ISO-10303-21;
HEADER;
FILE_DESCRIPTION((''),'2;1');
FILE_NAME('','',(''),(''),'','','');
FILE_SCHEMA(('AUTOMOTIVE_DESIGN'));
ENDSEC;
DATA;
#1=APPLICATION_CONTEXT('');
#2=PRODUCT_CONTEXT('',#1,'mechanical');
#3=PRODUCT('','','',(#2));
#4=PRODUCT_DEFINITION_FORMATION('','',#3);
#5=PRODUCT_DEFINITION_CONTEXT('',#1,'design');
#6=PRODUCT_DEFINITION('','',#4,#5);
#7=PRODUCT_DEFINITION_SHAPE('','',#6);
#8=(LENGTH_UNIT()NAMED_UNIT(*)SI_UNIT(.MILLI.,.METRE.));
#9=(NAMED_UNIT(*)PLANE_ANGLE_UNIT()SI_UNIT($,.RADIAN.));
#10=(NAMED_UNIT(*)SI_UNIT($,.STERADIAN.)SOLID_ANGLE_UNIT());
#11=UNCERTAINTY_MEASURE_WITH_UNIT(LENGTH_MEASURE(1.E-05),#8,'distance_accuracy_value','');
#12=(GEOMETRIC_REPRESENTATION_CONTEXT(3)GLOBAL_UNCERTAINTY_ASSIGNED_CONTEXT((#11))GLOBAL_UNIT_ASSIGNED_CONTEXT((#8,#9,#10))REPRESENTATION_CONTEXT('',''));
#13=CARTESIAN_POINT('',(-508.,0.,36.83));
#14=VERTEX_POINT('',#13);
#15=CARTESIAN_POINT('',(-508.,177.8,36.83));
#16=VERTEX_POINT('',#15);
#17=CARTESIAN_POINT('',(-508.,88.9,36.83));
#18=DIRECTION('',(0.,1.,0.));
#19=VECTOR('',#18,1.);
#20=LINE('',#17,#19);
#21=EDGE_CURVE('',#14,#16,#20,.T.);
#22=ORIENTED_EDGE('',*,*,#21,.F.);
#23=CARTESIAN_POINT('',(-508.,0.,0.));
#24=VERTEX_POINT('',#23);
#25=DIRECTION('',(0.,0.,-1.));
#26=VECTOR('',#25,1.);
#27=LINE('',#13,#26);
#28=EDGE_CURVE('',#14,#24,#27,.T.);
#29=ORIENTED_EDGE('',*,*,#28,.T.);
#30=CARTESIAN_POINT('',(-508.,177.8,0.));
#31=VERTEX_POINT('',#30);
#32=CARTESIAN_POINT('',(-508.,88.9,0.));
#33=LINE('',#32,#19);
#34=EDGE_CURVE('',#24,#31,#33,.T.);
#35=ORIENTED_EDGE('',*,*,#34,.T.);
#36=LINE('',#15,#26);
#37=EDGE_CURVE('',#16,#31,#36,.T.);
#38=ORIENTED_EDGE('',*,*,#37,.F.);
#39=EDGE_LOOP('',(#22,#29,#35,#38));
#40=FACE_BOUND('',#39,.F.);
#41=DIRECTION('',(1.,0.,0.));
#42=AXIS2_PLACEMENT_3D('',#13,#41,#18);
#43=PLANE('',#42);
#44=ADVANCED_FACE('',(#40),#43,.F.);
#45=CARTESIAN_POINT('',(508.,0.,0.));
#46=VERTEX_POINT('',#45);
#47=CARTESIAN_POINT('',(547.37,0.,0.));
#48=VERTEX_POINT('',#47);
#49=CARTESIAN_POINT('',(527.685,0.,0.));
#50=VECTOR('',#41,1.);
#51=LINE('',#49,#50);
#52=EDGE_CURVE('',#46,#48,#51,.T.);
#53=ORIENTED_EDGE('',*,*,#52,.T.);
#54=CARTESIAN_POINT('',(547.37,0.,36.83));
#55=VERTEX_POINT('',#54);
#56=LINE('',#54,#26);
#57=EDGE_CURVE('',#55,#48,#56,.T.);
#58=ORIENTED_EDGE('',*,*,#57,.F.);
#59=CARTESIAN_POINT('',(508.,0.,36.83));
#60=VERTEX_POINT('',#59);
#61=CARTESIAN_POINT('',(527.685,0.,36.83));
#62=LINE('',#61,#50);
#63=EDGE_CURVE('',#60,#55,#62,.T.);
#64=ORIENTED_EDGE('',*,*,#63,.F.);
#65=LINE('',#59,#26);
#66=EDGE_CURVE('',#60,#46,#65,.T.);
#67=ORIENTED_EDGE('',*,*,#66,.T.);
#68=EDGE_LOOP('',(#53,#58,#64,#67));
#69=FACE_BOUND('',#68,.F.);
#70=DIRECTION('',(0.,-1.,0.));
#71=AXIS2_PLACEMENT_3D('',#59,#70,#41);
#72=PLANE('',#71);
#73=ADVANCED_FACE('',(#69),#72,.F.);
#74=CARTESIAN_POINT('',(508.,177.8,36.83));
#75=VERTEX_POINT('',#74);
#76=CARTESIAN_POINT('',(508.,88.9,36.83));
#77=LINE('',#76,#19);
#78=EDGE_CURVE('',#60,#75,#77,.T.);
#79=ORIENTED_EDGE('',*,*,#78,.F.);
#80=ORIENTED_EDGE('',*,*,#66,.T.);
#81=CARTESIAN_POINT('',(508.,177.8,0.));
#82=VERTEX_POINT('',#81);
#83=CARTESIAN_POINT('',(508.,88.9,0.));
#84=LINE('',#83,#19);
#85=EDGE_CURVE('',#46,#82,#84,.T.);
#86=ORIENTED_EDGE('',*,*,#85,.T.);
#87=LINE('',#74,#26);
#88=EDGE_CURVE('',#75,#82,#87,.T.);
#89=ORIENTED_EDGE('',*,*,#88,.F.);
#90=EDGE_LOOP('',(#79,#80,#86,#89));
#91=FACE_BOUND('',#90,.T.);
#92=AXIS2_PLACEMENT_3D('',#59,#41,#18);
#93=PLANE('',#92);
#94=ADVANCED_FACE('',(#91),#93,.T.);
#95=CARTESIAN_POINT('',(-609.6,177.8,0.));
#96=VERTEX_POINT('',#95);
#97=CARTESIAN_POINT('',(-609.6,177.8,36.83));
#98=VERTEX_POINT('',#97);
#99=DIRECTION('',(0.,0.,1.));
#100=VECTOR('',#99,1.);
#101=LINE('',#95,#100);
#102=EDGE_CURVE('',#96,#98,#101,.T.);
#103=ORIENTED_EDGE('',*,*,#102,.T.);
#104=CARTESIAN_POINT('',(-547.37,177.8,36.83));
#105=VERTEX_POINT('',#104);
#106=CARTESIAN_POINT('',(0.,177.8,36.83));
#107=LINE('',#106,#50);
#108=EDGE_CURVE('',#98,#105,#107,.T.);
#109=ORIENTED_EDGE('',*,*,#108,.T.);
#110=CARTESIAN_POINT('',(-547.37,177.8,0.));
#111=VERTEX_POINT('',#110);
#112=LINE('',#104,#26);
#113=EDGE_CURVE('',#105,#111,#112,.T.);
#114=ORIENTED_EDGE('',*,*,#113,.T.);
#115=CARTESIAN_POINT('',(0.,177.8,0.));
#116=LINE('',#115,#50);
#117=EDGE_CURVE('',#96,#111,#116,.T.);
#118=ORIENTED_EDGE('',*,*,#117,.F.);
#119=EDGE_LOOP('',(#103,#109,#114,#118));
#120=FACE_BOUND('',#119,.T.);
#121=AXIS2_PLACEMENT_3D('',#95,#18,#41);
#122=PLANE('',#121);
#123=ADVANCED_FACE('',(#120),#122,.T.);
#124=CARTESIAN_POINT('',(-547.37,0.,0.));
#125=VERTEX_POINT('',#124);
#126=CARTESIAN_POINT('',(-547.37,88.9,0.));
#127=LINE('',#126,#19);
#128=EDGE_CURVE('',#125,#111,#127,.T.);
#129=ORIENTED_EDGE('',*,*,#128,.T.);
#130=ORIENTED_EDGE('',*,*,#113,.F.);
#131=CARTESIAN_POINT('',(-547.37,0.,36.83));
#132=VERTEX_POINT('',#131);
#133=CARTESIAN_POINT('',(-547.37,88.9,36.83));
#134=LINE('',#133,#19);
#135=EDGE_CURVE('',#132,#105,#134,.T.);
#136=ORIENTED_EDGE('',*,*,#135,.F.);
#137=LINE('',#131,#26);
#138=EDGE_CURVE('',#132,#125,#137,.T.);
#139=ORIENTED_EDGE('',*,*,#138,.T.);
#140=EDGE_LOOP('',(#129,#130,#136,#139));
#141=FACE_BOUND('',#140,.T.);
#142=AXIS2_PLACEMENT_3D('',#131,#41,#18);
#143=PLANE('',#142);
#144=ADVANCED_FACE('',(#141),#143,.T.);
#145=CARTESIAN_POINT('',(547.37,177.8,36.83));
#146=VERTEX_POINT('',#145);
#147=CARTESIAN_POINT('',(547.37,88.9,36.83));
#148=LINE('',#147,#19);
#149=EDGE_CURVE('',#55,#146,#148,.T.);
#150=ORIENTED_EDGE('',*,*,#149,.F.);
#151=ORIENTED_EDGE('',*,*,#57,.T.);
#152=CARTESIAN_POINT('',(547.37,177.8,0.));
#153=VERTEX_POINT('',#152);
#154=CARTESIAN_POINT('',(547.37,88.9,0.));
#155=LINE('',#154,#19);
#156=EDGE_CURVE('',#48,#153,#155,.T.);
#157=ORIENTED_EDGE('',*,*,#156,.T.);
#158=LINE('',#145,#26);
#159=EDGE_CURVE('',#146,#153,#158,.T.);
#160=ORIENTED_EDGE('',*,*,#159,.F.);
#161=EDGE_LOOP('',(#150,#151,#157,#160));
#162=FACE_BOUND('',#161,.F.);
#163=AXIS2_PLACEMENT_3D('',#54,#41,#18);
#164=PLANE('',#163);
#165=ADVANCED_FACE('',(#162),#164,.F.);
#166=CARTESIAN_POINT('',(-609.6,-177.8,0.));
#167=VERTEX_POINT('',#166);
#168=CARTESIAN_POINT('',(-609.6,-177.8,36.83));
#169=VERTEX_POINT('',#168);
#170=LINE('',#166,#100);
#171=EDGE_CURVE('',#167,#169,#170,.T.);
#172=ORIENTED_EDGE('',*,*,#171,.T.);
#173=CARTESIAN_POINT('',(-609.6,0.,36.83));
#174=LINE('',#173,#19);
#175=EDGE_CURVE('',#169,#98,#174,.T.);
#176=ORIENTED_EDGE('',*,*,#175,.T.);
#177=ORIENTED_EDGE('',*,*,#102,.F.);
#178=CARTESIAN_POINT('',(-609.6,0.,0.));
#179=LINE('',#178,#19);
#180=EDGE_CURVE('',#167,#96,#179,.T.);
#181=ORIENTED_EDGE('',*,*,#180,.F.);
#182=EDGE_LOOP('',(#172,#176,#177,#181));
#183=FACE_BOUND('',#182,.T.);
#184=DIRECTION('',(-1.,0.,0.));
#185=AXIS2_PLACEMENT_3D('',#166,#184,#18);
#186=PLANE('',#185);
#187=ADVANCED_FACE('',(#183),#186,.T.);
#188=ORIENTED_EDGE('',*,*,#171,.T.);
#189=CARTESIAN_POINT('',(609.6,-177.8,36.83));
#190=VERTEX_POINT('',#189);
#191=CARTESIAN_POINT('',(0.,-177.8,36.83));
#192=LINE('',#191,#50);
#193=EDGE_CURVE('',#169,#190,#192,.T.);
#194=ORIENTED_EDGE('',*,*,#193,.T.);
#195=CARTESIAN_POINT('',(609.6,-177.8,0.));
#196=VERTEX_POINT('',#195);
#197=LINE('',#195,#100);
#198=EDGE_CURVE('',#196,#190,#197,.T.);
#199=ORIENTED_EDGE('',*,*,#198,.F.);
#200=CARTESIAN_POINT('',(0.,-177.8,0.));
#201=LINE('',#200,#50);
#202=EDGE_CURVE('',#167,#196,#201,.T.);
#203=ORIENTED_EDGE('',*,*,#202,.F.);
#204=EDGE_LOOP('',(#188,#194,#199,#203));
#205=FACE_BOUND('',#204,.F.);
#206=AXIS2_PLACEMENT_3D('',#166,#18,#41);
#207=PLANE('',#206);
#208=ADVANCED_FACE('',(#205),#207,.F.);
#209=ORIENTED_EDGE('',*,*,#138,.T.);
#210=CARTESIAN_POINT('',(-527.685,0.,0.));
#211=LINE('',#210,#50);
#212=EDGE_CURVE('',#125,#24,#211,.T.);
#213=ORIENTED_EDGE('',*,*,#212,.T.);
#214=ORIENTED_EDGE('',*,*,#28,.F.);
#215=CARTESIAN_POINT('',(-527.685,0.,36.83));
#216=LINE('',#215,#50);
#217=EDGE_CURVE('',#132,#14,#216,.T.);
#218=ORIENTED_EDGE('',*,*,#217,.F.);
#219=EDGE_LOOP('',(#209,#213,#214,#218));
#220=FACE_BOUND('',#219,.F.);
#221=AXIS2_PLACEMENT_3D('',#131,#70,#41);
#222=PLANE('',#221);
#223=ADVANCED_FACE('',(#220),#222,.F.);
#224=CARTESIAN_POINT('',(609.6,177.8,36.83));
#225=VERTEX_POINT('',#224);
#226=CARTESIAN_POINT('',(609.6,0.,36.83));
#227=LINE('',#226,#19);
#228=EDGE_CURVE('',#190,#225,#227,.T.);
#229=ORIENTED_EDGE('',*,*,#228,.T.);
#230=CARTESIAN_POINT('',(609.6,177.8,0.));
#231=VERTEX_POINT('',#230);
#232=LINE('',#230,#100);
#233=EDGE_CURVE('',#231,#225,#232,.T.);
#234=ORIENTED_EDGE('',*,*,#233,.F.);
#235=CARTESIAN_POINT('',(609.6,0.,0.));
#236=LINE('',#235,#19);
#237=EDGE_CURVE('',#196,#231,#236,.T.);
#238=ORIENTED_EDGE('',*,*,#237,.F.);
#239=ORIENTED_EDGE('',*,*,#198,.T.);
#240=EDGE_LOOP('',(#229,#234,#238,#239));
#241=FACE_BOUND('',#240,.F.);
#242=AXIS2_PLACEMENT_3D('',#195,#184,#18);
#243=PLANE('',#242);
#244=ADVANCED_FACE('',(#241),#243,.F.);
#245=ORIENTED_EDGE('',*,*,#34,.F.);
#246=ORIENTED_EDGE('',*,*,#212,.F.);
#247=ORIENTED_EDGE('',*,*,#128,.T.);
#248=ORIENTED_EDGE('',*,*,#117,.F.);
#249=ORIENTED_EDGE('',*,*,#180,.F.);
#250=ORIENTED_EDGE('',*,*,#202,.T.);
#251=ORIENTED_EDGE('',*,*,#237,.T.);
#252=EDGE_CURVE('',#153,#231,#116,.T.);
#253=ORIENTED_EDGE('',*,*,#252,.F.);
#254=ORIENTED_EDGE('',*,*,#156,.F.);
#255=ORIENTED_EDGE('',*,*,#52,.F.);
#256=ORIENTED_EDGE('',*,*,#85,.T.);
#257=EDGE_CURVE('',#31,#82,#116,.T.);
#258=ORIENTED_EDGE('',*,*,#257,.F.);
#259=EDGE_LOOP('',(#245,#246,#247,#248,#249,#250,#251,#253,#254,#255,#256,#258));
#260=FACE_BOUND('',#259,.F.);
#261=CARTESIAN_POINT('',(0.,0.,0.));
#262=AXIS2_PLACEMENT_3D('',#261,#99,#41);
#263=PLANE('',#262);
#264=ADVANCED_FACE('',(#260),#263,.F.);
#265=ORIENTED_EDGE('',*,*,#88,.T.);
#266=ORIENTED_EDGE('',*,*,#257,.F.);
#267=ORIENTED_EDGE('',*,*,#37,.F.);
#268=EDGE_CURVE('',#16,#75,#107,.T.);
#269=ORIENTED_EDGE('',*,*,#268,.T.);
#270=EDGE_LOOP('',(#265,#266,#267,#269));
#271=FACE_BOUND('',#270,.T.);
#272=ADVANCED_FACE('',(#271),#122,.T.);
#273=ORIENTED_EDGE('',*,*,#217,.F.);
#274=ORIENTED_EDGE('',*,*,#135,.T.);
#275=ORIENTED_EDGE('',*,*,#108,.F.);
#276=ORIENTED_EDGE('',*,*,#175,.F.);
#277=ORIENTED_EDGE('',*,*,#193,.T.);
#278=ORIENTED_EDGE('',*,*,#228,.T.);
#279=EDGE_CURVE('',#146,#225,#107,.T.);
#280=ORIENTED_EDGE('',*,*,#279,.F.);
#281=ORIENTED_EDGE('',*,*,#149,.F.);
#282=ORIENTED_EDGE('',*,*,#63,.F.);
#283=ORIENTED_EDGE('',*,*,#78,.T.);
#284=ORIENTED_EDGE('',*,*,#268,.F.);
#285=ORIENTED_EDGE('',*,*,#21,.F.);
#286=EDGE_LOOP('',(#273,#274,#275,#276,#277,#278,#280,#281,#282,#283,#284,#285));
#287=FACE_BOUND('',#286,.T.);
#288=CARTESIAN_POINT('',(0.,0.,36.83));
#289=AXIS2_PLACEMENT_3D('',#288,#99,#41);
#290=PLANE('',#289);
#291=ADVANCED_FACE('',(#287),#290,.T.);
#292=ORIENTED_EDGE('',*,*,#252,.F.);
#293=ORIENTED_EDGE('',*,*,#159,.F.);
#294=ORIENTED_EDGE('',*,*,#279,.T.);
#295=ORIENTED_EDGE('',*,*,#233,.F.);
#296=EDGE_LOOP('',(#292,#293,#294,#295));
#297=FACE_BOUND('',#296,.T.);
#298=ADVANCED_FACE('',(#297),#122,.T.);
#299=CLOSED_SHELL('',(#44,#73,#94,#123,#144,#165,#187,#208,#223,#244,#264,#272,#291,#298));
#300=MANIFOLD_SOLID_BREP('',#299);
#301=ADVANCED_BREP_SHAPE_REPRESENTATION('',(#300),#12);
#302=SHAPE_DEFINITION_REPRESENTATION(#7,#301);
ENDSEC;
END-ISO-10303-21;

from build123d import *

# Parameters (mm, degrees)
F0_W     = 1219.2
F0_H     = 355.6
F1_DEPTH = 36.83
F2_W     = 39.37
F2_H     = 177.8
F3_DEPTH = 36.83


with BuildPart() as f1:
    # F0 (on Top) → F1 (new body)
    with BuildSketch(Plane.XY):
        Rectangle(F0_W, F0_H)
    extrude(amount=F1_DEPTH)

    # F2 (on face) → F3 (cut, through all)
    with BuildSketch(Plane.XY.offset(36.83)):
        with Locations((-527.685, 88.9)):
            Rectangle(F2_W, F2_H)
        with Locations((527.685, 88.9)):
            Rectangle(F2_W, F2_H)
    extrude(amount=-F3_DEPTH, mode=Mode.SUBTRACT)


solid = f1.part
